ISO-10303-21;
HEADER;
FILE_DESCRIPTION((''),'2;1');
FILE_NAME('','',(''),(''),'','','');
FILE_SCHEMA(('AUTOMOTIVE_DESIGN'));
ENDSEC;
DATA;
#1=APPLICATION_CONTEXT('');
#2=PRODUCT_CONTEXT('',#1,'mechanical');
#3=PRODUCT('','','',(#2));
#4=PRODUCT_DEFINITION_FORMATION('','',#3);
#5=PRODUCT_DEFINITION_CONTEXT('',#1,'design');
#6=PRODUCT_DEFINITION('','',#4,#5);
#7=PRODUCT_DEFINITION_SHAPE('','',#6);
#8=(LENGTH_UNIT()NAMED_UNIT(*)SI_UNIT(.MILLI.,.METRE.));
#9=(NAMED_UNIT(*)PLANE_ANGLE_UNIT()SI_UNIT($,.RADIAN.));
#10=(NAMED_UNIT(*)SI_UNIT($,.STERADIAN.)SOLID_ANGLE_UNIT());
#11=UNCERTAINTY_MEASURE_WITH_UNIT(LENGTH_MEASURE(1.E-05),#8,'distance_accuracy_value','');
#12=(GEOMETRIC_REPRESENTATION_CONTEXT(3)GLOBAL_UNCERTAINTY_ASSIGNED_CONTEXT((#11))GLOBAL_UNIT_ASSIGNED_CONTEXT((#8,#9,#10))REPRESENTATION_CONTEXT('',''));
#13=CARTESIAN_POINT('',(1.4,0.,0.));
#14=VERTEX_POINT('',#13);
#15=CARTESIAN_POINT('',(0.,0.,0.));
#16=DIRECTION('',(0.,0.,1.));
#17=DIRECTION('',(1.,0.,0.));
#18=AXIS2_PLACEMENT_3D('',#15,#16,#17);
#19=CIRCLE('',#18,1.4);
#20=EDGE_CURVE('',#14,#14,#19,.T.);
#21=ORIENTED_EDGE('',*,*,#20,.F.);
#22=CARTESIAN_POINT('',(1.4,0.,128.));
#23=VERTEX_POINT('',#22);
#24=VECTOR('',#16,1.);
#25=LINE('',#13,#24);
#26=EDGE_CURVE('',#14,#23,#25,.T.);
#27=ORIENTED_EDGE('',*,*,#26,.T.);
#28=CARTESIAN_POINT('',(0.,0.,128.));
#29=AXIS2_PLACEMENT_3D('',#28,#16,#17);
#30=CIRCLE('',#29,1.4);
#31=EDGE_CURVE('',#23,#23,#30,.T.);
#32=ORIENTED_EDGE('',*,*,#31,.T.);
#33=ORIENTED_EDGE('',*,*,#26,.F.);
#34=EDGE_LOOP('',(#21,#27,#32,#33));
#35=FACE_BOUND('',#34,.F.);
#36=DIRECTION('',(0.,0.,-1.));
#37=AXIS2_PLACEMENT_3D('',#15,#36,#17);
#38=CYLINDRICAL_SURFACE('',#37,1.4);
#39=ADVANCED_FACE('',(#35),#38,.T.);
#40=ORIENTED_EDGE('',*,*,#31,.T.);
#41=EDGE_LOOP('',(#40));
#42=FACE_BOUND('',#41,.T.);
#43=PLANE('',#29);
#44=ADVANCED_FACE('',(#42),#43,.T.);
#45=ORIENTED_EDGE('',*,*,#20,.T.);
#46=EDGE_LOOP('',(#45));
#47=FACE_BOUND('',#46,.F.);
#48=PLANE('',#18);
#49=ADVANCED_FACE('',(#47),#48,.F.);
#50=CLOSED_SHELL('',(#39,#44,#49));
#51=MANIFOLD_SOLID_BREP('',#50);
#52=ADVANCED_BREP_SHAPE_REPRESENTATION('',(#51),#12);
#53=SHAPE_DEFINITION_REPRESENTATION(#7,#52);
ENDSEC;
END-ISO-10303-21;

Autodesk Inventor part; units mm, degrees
ref_plane "YZ Plane" through (0, 0, 0) normal (1, 0, 0) x (0, 1, 0)
ref_plane "XZ Plane" through (0, 0, 0) normal (0, 1, 0) x (-1, 0, 0)
ref_plane "XY Plane" through (0, 0, 0) normal (0, 0, 1) x (1, 0, 0)
sketch "Skizze1" plane through (0, 0, 0) normal (0, 0, 1) x (1, 0, 0)
  circle A0 centre (0, 0) radius 1.4
  dimension "d0" = 2.8
extrude "Extrusion1" add sketch "Skizze1" along normal blind 128
thread "Gewinde1" size "M3x0.5" class "6g" standard "ANSI Metric M Profile" full length
properties part number "00_M3_Threaded_Rod_128mm"
